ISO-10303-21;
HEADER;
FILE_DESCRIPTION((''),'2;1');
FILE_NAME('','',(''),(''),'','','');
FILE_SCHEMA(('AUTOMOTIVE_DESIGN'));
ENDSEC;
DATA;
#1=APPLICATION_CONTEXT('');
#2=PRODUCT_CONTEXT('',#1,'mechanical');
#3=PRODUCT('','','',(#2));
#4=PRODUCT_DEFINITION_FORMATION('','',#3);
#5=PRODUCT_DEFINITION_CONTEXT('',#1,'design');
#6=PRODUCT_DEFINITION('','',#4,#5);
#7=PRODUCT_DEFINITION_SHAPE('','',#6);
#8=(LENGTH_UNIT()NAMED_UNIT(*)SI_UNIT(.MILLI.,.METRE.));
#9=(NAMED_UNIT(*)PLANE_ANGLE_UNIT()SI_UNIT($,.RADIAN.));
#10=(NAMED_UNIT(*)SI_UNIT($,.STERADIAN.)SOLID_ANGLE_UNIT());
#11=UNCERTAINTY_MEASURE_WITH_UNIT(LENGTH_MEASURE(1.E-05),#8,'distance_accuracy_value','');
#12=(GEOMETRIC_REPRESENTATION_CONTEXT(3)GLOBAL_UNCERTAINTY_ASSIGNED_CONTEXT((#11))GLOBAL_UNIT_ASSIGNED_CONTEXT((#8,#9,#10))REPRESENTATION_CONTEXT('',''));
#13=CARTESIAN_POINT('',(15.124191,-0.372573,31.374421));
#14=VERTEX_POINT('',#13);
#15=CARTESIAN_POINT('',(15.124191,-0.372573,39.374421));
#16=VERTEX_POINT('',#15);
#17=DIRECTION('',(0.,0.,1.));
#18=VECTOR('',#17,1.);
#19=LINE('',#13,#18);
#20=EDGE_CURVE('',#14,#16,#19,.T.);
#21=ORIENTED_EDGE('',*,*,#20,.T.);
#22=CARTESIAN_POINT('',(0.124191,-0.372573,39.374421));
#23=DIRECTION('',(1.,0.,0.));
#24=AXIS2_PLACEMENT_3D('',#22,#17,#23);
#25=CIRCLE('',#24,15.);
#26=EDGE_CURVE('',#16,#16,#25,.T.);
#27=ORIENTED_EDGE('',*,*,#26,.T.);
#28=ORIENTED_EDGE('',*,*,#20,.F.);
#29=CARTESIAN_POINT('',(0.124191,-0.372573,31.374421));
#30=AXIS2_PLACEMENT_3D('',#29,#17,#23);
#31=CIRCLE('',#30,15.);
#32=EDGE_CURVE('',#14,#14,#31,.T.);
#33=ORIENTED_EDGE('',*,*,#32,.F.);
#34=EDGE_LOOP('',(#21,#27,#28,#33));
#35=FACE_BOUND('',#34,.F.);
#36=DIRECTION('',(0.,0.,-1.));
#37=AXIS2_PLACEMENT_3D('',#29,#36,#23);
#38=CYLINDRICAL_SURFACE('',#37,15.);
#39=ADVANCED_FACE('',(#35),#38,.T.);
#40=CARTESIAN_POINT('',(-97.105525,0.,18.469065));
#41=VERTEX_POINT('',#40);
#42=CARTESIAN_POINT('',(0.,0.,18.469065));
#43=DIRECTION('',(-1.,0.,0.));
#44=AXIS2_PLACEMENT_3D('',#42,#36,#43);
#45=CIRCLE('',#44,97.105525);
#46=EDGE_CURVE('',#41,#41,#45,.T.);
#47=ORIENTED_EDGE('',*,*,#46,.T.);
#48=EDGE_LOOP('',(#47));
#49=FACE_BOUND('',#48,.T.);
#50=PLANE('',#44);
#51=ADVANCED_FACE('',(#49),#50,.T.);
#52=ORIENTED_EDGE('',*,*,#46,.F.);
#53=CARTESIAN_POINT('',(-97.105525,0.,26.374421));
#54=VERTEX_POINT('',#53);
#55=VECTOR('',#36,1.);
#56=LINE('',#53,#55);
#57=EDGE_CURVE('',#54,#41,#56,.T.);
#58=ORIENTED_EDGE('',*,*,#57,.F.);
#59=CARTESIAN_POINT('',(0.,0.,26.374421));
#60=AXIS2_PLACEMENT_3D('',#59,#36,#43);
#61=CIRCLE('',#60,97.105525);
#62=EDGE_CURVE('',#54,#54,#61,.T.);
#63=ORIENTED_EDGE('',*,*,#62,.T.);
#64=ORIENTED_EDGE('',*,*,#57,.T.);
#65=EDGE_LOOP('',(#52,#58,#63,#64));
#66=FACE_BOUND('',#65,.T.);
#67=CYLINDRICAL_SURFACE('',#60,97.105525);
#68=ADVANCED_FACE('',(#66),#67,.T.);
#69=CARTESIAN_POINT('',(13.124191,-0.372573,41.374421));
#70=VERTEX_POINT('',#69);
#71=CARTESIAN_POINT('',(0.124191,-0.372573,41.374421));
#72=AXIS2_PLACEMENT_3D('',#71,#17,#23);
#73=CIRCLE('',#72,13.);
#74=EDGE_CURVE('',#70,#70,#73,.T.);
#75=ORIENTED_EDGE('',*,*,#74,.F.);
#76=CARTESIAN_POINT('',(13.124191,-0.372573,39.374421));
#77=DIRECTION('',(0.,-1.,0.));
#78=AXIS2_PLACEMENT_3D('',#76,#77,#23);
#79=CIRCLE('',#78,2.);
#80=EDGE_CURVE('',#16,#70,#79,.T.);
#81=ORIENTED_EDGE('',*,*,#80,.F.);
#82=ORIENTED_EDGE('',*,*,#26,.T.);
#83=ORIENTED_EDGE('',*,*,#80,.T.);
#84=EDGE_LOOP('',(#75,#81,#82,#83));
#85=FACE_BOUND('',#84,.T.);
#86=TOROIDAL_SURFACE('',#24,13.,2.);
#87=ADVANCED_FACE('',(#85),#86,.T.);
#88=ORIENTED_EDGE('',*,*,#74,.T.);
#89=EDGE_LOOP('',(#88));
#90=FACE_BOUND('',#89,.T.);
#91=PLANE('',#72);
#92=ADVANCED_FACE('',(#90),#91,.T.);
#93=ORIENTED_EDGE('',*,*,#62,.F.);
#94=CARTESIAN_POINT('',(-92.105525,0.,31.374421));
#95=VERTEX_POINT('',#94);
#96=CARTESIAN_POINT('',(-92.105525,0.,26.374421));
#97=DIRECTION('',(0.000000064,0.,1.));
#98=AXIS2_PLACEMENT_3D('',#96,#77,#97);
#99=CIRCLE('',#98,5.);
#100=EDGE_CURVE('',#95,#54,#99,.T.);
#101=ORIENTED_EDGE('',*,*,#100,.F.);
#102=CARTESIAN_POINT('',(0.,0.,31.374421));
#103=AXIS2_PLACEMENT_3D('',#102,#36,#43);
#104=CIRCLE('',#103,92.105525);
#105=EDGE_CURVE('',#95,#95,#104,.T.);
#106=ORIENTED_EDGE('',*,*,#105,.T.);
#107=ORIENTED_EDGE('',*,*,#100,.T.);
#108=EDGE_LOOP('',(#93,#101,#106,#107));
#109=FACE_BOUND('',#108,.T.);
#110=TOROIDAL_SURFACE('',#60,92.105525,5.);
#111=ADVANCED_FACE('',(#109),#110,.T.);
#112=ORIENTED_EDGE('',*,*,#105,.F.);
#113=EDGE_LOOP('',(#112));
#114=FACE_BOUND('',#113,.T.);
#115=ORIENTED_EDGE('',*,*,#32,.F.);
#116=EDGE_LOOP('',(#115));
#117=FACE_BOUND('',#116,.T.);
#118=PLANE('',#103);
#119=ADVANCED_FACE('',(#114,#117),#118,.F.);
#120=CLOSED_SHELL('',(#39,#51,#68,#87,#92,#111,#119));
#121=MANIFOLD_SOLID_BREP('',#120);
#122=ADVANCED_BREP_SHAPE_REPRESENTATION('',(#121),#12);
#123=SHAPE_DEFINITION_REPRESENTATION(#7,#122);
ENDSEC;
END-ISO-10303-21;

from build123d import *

# Parameters (mm, degrees)
F2_R     = 15
F3_DEPTH = 10
F4_R     = 2


with BuildPart() as f1:
    # F0 (on Front) → F1 (revolve)
    with BuildSketch(Plane.XZ):
        with BuildLine():
            Line((-97.105525, 26.374421), (-97.105525, 18.469065))
            Line((-97.105525, 18.469065), (0, 18.469065))
            Line((0, 18.469065), (0, 31.374421))
            Line((0, 31.374421), (-92.105525, 31.374421))
            ThreePointArc((-92.105525, 31.374421), (-95.641059, 29.909955), (-97.105525, 26.374421))
        make_face()
    revolve(axis=Axis((0, 0, 24.921743), (0, 0, -1)))

    # F2 (on face) → F3 (join)
    with BuildSketch(Plane.XY.offset(31.374421)):
        with Locations((0.124191, -0.372573)):
            Circle(F2_R)
    extrude(amount=F3_DEPTH)

    # F4
    f4_edges = [f1.edges().sort_by_distance(p)[0] for p in [
        (-14.875809, -0.372573, 41.374421),
    ]]
    fillet(f4_edges, radius=F4_R)


solid = f1.part
